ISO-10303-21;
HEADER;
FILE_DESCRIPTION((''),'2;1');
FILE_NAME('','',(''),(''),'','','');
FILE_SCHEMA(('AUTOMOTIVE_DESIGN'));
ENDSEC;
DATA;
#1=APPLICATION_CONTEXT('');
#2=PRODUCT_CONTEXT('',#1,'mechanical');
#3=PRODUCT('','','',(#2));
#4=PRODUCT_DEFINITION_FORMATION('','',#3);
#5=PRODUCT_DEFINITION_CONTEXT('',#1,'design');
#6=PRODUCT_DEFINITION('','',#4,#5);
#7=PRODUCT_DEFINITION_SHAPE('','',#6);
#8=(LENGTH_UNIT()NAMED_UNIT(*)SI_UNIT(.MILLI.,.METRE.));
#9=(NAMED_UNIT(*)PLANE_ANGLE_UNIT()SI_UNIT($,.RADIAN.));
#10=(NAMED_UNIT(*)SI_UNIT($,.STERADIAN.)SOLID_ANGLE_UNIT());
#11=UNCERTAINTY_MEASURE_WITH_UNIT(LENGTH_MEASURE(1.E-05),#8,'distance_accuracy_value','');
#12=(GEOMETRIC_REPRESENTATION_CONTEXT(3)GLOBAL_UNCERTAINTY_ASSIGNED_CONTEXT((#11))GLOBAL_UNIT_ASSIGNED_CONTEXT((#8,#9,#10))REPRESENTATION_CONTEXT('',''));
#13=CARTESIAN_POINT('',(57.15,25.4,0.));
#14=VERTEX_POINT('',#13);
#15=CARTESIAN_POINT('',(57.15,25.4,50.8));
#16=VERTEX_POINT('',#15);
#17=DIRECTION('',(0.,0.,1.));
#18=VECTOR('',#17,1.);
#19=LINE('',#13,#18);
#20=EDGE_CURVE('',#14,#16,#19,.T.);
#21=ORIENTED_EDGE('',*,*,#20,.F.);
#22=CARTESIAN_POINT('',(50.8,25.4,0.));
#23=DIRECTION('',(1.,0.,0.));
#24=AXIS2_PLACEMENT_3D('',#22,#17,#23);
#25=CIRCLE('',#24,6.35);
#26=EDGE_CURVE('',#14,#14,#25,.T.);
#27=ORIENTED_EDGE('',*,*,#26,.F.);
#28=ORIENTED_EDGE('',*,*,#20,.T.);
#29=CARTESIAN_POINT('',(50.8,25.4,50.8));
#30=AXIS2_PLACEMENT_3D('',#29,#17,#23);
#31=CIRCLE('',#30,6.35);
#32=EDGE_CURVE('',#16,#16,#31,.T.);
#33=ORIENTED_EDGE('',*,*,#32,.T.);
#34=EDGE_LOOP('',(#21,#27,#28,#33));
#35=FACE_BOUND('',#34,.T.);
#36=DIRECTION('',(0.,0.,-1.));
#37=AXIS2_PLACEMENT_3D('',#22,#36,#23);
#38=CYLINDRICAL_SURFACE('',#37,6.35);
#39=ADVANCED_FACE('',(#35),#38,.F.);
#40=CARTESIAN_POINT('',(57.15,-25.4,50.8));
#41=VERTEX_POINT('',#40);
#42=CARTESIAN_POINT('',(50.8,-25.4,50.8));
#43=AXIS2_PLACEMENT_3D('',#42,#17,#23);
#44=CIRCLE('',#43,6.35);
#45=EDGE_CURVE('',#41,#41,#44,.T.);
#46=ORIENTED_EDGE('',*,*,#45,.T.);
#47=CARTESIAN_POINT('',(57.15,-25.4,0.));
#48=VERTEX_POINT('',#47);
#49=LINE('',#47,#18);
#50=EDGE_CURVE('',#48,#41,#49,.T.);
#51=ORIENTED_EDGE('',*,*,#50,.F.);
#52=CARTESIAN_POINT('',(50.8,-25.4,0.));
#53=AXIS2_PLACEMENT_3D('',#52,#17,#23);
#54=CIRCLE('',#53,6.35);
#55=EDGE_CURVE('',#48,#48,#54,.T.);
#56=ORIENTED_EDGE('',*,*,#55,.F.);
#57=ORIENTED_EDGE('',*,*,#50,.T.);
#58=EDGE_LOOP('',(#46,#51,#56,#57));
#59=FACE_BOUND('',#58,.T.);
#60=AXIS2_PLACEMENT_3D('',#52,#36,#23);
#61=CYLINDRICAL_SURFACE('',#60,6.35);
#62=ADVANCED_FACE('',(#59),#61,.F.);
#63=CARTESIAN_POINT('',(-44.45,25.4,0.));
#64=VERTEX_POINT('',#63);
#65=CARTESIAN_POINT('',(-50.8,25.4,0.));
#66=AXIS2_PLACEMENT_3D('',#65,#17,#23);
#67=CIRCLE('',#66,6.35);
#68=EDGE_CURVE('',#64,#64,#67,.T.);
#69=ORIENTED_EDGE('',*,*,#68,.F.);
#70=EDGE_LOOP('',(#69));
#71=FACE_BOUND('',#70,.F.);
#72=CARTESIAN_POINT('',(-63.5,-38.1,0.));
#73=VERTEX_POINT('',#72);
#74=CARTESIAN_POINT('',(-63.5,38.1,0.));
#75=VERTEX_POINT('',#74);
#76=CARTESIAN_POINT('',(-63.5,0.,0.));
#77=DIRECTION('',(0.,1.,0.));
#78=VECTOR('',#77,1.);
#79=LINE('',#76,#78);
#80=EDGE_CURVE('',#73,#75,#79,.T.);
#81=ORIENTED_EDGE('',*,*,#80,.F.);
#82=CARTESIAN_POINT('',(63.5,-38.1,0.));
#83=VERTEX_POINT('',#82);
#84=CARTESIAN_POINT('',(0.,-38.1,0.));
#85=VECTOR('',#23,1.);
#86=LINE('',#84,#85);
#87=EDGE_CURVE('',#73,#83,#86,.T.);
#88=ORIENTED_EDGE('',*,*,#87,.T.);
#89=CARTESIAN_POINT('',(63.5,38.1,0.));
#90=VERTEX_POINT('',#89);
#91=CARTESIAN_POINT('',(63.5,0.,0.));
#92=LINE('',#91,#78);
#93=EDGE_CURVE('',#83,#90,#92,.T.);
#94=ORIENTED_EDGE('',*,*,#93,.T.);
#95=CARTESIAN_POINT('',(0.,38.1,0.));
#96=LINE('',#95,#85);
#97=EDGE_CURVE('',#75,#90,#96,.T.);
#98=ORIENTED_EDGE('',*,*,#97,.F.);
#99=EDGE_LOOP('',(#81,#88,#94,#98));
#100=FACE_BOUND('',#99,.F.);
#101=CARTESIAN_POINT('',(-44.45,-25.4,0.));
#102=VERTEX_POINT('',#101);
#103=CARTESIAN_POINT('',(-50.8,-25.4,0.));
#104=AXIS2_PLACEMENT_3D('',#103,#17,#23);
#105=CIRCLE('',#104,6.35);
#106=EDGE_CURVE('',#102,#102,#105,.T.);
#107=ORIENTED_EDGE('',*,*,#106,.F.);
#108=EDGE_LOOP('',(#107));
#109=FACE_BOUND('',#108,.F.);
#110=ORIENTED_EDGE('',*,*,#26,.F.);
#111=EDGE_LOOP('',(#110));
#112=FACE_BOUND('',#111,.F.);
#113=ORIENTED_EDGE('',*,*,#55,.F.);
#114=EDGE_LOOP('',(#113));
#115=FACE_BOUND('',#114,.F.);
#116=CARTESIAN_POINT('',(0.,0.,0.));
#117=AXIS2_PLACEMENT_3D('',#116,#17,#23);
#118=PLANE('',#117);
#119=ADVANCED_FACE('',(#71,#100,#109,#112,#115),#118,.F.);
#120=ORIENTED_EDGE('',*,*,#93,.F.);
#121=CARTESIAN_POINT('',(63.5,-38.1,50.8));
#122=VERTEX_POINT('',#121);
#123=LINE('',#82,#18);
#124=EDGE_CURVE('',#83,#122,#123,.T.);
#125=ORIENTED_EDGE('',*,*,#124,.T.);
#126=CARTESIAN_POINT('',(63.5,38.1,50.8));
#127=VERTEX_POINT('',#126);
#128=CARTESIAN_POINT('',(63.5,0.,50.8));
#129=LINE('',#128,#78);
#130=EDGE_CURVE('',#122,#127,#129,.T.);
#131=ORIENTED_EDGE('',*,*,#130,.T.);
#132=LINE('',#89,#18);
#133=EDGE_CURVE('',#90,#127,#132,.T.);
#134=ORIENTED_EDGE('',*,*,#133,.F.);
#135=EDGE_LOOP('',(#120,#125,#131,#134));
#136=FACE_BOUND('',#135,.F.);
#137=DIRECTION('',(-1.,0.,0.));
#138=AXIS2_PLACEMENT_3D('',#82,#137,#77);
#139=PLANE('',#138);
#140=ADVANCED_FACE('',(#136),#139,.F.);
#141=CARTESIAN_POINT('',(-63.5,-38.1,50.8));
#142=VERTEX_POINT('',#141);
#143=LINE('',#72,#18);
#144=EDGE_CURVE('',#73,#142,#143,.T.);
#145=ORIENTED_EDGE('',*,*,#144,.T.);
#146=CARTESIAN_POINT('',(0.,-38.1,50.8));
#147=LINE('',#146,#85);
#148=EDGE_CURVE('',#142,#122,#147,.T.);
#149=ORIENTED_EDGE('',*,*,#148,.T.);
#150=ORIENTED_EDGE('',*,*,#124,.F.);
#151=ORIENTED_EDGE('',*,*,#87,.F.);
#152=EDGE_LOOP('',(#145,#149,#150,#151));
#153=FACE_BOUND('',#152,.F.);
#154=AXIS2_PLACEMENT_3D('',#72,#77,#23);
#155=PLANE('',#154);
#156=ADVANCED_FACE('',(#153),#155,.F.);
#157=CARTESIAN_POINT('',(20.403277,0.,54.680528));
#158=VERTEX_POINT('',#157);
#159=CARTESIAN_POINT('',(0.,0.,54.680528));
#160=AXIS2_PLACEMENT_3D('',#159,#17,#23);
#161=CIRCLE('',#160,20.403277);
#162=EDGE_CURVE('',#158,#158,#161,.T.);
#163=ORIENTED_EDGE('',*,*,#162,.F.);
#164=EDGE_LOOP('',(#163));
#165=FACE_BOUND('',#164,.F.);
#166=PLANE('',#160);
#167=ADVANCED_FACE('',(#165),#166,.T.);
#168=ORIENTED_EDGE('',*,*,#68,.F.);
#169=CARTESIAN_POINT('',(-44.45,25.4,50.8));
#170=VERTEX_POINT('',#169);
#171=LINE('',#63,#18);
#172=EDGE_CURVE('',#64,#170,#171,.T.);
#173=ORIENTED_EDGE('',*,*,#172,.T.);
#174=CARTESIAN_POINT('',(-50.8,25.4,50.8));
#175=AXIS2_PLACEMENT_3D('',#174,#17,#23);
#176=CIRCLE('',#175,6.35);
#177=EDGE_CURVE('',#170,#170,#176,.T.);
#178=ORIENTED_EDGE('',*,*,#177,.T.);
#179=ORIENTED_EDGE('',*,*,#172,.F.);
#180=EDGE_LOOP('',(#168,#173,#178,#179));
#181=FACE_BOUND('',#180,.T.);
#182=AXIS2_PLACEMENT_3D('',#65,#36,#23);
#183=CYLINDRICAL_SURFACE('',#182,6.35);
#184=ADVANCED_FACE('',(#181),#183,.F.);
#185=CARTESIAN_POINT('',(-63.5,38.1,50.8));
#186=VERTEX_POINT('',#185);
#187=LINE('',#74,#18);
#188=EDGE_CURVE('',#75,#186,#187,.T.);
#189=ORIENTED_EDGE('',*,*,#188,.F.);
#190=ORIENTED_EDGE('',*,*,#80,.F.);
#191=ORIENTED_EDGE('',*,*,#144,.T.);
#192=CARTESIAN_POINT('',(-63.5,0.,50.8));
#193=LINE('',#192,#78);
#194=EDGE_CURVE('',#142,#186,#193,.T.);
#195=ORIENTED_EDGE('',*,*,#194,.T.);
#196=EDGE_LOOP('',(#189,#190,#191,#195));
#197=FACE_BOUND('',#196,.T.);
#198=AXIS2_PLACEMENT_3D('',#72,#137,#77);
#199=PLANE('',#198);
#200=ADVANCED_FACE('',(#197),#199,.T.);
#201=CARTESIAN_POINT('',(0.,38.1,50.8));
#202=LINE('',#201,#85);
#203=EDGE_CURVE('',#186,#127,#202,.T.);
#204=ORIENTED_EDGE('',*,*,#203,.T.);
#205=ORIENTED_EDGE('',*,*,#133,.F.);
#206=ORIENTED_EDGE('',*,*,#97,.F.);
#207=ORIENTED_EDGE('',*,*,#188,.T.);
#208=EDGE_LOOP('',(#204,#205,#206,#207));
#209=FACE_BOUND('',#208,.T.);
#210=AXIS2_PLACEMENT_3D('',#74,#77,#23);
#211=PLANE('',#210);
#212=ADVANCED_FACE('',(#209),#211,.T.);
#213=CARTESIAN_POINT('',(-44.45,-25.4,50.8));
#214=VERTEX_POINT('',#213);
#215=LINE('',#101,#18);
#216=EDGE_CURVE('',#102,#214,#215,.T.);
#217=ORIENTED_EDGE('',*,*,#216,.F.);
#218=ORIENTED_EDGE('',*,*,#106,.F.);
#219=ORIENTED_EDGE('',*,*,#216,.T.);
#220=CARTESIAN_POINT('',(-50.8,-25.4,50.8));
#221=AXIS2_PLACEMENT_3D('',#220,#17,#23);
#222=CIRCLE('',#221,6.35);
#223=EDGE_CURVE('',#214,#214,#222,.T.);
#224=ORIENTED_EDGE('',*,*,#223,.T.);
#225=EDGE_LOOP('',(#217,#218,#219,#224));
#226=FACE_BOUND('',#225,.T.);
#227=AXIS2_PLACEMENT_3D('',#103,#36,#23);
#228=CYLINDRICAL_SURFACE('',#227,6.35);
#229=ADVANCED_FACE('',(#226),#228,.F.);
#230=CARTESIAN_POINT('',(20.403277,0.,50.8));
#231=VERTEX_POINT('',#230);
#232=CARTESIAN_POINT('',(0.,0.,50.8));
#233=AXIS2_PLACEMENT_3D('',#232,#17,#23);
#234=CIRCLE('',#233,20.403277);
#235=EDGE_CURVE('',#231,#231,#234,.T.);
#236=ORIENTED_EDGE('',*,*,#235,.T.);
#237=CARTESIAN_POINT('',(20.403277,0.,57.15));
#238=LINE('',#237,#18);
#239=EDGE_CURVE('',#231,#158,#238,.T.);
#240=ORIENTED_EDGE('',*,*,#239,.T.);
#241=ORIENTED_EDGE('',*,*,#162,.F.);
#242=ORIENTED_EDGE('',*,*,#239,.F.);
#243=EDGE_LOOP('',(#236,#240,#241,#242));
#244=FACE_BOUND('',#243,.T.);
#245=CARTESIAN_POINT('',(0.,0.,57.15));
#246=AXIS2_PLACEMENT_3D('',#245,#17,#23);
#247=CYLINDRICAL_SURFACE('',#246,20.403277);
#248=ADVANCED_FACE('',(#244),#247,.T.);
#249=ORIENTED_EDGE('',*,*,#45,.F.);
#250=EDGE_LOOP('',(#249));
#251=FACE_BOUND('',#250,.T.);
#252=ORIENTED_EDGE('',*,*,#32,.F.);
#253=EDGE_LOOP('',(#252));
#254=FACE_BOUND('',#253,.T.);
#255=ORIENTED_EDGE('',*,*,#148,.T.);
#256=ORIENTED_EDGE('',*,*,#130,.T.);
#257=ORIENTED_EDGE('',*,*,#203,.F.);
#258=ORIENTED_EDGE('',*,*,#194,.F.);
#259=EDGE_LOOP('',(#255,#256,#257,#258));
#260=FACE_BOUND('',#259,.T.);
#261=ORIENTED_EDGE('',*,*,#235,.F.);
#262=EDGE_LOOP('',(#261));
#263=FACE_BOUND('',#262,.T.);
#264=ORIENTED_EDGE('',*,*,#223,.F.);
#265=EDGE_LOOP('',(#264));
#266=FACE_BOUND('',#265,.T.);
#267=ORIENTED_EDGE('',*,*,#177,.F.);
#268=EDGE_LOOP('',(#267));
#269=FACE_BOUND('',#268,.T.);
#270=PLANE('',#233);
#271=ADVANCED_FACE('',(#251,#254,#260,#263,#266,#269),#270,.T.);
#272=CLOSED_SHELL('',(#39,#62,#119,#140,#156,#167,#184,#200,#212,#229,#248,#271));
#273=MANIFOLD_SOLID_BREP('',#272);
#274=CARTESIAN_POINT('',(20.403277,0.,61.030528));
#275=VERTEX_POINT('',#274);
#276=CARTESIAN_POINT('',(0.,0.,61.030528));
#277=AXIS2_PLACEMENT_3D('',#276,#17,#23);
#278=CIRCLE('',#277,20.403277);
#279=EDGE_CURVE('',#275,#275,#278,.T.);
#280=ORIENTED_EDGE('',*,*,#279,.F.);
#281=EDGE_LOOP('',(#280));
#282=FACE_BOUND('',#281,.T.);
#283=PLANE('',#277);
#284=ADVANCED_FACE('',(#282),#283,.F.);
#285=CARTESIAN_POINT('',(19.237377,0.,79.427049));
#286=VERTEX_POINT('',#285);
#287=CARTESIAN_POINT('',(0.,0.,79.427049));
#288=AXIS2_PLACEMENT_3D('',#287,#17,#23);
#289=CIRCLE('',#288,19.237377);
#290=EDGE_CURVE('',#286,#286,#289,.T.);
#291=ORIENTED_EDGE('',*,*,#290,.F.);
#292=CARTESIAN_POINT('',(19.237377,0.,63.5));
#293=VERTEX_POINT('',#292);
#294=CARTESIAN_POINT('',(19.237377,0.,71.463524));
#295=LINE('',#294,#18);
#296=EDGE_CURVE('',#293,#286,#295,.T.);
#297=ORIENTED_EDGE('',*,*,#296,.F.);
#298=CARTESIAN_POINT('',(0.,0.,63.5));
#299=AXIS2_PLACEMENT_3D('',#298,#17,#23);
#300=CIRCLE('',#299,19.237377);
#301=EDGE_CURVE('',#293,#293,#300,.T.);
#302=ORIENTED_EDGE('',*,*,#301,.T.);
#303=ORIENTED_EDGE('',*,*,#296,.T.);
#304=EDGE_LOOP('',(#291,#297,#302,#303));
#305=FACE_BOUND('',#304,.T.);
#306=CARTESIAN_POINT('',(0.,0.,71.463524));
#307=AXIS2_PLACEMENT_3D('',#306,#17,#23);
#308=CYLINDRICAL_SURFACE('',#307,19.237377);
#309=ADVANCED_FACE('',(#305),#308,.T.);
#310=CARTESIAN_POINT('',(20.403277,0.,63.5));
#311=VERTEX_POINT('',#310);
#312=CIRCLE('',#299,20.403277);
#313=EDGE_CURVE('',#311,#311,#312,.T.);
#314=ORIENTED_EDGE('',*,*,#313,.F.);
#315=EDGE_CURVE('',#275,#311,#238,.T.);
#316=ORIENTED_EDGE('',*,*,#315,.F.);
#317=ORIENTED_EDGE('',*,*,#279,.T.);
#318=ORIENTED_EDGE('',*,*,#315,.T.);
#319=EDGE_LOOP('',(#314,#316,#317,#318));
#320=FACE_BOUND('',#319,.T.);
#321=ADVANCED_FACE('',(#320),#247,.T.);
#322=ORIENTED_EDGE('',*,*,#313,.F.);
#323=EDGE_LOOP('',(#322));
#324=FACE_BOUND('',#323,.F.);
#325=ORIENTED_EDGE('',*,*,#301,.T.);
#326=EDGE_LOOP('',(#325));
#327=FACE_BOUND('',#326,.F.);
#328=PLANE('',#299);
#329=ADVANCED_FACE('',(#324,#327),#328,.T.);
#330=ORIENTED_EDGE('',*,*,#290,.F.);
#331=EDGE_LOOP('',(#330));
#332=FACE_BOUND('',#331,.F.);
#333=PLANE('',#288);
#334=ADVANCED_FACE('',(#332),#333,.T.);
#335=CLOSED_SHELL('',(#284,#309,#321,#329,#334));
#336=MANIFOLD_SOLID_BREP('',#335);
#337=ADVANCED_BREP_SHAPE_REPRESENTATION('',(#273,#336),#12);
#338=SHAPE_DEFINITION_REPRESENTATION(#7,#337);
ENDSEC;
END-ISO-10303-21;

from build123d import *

# Parameters (mm, degrees)
F0_W     = 127
F0_H     = 76.2
F0_R     = 6.35
F1_DEPTH = 50.8
F2_W     = 20.4032771289
F2_H     = 12.7
F4_W     = 19.2373767495
F4_H     = 15.927048564
F6_W     = 38.1
F6_H     = 6.35


with BuildPart() as f1:
    # F0 (on Top) → F1 (new body)
    with BuildSketch(Plane.XY):
        Rectangle(F0_W, F0_H)
        with Locations((-50.8, -25.4)):
            Circle(F0_R, mode=Mode.SUBTRACT)
        with Locations((50.8, -25.4)):
            Circle(F0_R, mode=Mode.SUBTRACT)
        with Locations((-50.8, 25.4)):
            Circle(F0_R, mode=Mode.SUBTRACT)
        with Locations((50.8, 25.4)):
            Circle(F0_R, mode=Mode.SUBTRACT)
    extrude(amount=F1_DEPTH)

    # F2 (on Front) → F3 (revolve)
    with BuildSketch(Plane.XZ):
        with Locations((10.2016385645, 57.15)):
            Rectangle(F2_W, F2_H)
    revolve(axis=Axis((0, 0, 57.15), (0, 0, 1)))

    # F4 (on Front) → F5 (revolve)
    with BuildSketch(Plane.XZ):
        with Locations((9.6186883748, 71.463524282)):
            Rectangle(F4_W, F4_H)
    revolve(axis=Axis((0, 0, 71.463524282), (0, 0, 1)))

    # F6 (on Front) → F7 (revolve, cut)
    with BuildSketch(Plane.XZ):
        with Locations((19.05, 57.8555281689)):
            Rectangle(F6_W, F6_H)
    revolve(axis=Axis((0, 0, 57.8555281689), (0, 0, 1)), mode=Mode.SUBTRACT)


solid = f1.part
